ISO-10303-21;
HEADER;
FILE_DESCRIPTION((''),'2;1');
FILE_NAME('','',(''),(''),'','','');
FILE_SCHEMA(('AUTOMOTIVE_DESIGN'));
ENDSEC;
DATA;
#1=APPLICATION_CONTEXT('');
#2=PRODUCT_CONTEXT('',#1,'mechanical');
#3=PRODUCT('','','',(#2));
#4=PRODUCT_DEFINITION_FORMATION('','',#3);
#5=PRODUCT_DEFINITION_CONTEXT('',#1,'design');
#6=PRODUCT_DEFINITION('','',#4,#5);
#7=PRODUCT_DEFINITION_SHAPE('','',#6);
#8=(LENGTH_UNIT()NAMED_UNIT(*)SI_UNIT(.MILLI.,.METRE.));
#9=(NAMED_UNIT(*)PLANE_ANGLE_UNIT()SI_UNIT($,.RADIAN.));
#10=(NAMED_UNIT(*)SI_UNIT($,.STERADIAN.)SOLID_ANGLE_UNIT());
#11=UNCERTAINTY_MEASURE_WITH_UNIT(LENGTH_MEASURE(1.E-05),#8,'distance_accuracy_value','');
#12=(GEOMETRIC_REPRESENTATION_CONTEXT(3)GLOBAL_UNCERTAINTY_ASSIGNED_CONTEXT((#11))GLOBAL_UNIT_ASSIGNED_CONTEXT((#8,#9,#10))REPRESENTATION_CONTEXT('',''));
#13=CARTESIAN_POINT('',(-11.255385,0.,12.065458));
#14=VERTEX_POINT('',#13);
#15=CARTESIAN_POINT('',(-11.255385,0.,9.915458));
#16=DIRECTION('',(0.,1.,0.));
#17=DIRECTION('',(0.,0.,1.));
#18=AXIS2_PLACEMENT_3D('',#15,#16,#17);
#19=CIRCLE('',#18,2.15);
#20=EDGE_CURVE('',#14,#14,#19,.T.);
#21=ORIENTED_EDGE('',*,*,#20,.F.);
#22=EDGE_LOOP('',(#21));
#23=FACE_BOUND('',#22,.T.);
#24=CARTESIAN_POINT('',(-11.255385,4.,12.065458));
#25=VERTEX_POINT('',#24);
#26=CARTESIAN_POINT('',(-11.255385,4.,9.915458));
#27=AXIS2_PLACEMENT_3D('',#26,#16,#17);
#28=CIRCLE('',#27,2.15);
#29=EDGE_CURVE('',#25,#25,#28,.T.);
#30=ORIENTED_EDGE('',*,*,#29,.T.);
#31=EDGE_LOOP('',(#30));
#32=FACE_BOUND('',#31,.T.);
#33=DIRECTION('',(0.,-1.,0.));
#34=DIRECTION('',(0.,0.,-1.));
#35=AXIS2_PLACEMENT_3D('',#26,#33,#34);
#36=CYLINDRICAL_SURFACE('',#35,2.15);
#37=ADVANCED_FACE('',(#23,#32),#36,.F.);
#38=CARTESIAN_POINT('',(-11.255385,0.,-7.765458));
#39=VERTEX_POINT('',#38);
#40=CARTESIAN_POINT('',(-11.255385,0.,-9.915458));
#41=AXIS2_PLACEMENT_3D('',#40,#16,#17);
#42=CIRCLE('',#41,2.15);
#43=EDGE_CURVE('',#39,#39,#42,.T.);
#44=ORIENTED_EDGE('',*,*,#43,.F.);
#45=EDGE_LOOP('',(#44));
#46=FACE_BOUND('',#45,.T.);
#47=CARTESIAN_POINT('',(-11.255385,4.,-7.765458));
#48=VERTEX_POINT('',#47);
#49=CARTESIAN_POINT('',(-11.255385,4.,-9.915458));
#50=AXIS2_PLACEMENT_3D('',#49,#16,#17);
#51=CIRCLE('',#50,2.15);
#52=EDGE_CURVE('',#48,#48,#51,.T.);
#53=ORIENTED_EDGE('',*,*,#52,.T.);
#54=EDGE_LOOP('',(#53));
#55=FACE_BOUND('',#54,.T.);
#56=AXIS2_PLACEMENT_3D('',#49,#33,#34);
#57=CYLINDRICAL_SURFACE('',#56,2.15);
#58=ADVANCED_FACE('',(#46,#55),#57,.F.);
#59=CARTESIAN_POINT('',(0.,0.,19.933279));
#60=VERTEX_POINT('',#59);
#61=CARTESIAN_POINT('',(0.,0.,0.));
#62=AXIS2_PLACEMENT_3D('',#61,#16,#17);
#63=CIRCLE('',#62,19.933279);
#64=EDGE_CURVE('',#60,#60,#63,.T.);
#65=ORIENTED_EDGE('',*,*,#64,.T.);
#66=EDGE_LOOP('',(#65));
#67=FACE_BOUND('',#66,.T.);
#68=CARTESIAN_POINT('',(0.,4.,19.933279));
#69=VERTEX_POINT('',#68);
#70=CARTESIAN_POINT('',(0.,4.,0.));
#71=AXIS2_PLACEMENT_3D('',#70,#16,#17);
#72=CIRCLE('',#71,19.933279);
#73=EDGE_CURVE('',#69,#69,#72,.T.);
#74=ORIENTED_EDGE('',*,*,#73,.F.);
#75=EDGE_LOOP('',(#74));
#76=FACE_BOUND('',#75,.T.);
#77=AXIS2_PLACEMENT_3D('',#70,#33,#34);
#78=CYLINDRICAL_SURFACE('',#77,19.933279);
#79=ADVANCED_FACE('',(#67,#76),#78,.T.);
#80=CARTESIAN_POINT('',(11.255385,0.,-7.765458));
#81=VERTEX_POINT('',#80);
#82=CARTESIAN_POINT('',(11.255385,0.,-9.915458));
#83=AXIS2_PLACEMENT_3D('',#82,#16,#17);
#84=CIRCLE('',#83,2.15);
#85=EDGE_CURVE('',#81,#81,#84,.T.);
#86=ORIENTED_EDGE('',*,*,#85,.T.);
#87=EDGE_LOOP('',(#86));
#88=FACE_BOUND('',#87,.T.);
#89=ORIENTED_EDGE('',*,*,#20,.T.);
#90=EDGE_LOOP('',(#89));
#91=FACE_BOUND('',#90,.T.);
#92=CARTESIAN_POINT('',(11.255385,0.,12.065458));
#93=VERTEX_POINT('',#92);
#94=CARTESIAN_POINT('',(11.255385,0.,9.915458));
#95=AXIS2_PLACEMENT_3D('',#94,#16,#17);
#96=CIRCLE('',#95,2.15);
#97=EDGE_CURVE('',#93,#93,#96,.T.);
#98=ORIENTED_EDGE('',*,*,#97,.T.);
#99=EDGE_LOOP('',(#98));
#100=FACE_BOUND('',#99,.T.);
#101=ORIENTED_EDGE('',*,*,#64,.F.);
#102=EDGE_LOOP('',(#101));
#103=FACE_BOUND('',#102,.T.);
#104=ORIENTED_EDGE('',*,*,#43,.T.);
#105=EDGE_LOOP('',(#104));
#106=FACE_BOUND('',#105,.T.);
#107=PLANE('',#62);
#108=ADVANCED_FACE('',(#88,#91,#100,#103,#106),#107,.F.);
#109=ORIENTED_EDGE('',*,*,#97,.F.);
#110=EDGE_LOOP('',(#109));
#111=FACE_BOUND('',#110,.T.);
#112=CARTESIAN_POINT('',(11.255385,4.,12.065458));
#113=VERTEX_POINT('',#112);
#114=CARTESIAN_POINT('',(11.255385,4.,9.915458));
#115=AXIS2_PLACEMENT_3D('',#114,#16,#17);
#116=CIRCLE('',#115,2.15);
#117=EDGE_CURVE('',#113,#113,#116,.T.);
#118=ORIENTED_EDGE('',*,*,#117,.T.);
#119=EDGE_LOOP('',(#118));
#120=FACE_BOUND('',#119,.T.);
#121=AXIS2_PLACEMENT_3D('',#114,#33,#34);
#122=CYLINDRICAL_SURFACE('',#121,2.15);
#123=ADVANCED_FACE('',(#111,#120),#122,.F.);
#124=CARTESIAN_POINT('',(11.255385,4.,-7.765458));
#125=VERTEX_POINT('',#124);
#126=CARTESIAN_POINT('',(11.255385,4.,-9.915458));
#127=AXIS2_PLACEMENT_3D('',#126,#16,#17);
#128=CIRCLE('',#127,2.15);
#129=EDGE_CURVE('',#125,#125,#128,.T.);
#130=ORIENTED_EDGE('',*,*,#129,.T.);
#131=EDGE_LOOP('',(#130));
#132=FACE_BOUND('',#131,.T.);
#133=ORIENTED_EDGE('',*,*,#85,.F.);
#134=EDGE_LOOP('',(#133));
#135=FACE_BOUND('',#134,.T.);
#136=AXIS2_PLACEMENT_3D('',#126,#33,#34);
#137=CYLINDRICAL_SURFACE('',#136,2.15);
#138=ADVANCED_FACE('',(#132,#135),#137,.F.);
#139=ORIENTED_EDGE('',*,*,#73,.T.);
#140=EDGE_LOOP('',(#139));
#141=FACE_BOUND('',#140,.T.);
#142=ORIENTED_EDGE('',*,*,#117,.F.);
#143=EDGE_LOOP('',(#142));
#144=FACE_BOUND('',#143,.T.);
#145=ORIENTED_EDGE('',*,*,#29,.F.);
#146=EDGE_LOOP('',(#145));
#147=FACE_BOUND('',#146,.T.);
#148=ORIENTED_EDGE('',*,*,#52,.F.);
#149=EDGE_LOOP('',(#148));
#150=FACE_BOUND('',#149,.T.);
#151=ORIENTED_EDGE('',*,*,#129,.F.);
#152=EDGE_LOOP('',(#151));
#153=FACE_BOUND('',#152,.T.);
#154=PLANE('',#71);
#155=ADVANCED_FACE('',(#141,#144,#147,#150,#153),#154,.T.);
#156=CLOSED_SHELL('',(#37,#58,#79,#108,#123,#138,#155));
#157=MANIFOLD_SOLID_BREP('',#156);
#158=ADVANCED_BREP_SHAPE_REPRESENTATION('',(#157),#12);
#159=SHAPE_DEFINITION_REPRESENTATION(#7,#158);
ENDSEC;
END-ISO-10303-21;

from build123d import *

# Parameters (mm, degrees)
SKETCH1_R           = 19.933279246
SKETCH1_R_2         = 2.15
BOSS_EXTRUDE1_DEPTH = 4


with BuildPart() as part:
    # Sketch1 → Boss-Extrude1 (new body)
    with BuildSketch(Plane(origin=(0, 0, 0), x_dir=(1, 0, 0), z_dir=(0, 1, 0))):
        with Locations(Location((0, 0, 0), (0, 0, 270))):
            Circle(SKETCH1_R)
        with Locations(Location((11.255384923, 9.915458146, 0), (0, 0, 270))):
            Circle(SKETCH1_R_2, mode=Mode.SUBTRACT)
        with Locations(Location((11.255384923, -9.915458146, 0), (0, 0, 270))):
            Circle(SKETCH1_R_2, mode=Mode.SUBTRACT)
        with Locations(Location((-11.255384923, -9.915458146, 0), (0, 0, 270))):
            Circle(SKETCH1_R_2, mode=Mode.SUBTRACT)
        with Locations(Location((-11.255384923, 9.915458146, 0), (0, 0, 270))):
            Circle(SKETCH1_R_2, mode=Mode.SUBTRACT)
    extrude(amount=BOSS_EXTRUDE1_DEPTH)


solid = part.part
